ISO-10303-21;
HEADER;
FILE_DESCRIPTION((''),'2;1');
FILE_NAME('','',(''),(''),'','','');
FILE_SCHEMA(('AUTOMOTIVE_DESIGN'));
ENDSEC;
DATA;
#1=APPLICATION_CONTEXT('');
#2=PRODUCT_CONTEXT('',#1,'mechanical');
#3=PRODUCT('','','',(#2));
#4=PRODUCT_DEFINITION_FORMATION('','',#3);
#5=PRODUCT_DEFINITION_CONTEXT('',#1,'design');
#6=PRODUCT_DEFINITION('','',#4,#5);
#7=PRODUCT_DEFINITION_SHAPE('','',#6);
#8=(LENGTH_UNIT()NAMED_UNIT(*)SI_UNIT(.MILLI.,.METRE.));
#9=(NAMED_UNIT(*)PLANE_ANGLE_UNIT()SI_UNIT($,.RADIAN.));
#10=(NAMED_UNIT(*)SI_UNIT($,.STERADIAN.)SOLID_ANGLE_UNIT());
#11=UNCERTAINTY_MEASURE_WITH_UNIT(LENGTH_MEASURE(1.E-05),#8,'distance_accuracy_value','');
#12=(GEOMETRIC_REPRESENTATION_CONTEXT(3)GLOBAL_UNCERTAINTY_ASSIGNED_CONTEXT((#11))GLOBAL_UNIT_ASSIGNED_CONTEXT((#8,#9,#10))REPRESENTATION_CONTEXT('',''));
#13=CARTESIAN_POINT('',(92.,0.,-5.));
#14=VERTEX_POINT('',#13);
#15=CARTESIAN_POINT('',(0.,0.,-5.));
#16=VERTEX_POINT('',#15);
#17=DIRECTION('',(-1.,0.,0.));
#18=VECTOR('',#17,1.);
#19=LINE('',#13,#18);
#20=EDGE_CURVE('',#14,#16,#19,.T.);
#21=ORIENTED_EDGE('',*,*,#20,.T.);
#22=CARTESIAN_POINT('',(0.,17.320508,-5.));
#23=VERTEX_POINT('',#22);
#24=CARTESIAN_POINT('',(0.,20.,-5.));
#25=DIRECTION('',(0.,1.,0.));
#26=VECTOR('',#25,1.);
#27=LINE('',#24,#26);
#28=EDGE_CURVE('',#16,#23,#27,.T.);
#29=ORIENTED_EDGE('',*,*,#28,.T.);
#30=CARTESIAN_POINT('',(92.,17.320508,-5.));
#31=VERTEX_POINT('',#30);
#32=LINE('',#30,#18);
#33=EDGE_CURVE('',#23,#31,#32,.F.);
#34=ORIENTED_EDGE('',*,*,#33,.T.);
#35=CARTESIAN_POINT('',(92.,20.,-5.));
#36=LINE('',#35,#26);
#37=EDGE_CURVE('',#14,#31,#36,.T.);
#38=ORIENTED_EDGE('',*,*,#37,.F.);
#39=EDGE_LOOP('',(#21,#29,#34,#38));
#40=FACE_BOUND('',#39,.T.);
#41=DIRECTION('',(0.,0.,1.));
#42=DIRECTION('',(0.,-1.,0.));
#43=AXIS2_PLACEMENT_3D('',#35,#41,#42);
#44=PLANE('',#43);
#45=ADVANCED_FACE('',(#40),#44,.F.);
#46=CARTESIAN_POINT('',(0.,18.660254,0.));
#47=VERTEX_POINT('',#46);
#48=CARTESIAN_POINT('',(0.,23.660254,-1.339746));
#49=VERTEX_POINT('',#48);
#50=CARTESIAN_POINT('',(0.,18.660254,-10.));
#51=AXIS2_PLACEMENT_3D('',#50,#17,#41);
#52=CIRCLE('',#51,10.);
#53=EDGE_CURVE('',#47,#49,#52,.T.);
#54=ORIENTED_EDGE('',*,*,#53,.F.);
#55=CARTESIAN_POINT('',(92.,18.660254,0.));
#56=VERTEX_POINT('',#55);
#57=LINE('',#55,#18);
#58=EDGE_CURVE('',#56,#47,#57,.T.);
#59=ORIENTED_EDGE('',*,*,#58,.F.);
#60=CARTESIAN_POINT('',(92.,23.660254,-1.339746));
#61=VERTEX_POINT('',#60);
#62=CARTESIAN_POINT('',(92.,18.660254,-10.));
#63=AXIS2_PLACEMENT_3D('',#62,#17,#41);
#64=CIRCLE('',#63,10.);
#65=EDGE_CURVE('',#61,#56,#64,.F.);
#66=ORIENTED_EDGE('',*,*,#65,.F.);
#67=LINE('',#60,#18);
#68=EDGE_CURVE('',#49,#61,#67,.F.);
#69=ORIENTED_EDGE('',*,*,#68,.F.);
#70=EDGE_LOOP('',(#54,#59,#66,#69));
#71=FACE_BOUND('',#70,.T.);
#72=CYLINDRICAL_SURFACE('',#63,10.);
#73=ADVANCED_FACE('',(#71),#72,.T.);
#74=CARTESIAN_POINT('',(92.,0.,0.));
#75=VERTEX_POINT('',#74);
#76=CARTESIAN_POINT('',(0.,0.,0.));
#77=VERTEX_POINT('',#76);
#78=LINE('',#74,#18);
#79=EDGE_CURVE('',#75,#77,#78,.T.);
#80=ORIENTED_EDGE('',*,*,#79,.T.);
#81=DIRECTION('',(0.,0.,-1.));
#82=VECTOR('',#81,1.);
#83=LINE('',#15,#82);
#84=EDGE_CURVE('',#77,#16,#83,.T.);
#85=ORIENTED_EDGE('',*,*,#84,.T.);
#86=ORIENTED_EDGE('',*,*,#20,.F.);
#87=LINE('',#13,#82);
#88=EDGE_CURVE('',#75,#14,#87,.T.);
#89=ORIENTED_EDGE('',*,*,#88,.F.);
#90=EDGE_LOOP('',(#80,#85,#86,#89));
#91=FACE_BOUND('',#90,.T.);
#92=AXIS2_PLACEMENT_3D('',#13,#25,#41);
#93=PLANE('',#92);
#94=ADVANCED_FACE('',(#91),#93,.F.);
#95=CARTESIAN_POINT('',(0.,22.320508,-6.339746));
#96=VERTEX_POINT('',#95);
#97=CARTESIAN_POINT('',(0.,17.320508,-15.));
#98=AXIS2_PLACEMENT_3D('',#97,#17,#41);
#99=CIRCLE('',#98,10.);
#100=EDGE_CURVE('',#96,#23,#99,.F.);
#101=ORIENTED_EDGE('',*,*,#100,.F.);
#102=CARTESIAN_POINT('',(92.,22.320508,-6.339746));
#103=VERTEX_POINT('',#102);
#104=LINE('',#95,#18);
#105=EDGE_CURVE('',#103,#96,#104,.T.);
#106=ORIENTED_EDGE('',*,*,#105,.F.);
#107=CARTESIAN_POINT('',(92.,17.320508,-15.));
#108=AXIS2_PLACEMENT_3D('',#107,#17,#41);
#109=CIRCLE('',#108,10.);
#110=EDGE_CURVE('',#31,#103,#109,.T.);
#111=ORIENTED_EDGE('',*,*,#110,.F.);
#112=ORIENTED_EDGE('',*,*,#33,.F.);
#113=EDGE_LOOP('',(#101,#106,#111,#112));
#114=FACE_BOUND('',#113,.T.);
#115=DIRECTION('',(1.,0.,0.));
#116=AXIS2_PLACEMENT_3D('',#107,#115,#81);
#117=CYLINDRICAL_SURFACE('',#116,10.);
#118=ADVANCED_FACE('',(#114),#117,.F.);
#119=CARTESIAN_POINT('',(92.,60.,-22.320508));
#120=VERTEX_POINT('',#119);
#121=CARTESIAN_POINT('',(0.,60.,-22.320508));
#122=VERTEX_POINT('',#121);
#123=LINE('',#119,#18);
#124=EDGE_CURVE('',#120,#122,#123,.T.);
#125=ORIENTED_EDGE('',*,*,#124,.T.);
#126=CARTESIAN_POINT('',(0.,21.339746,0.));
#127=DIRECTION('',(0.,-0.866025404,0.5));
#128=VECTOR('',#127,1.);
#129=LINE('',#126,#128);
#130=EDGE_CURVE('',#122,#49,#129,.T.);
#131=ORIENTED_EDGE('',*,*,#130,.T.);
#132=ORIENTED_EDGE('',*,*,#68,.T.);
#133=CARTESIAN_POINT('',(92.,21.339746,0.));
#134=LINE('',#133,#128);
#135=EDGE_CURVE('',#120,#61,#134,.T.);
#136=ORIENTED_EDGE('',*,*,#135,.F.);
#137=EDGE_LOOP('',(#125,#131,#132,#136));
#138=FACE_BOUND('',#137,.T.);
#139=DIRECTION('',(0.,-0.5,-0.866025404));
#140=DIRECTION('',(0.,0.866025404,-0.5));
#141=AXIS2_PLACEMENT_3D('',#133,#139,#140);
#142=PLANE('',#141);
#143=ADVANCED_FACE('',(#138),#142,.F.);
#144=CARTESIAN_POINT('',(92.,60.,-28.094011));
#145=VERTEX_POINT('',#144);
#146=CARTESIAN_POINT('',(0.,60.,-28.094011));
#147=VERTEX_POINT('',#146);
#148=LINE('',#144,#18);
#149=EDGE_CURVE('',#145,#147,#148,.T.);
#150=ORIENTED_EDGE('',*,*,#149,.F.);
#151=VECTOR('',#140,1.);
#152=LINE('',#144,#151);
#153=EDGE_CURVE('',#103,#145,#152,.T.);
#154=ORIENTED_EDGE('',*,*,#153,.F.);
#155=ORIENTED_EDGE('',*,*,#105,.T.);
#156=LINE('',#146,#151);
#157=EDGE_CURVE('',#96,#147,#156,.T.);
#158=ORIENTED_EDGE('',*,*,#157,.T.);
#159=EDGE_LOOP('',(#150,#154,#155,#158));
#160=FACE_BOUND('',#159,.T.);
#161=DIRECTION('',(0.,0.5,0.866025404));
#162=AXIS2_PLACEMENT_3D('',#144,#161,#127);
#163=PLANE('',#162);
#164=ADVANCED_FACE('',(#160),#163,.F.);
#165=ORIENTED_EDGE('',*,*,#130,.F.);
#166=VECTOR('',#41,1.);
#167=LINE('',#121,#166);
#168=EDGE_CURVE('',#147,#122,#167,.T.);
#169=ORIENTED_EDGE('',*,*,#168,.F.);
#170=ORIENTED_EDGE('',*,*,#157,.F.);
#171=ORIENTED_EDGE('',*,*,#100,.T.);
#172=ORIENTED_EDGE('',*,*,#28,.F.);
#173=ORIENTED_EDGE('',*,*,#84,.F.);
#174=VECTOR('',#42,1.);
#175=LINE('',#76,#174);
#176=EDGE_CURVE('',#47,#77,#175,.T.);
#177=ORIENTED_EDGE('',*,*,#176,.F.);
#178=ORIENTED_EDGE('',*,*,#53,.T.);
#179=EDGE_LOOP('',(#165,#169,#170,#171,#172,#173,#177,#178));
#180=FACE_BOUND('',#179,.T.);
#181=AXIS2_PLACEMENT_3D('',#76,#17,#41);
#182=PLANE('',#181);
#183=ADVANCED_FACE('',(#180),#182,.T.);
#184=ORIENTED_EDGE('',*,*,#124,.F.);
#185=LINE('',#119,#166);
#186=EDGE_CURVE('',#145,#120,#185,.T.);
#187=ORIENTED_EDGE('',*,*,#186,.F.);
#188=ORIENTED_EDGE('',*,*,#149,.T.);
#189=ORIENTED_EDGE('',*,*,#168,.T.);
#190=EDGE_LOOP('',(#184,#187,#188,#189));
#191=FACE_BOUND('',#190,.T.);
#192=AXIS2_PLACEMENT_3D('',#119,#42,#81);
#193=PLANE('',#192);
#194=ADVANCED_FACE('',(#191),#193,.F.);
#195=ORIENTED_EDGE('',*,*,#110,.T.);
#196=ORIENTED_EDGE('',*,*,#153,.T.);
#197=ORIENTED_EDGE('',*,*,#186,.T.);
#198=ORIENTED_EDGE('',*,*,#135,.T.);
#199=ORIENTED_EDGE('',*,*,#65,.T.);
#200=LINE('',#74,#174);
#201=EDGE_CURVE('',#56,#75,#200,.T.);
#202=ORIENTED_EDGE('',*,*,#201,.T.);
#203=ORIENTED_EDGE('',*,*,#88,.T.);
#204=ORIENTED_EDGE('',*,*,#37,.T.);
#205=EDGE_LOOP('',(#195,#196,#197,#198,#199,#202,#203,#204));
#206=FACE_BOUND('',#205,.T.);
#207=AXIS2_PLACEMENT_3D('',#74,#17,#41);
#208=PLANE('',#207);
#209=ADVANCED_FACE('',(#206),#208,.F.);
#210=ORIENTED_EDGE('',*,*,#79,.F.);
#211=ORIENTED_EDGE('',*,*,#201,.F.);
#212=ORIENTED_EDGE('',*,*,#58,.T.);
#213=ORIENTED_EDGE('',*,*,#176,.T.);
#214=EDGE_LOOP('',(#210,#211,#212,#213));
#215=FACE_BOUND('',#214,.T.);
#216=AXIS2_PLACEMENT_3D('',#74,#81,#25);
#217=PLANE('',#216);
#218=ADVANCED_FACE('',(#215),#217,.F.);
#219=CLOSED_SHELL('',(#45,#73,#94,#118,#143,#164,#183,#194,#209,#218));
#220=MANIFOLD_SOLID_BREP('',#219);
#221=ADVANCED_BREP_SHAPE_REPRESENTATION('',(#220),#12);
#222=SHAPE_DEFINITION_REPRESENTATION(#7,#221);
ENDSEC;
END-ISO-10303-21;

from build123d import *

# Parameters (mm, degrees)
BOSS_EXTRUDE1_DEPTH = 92
FILLET1_R           = 10
FILLET2_R           = 10


with BuildPart() as part:
    # Sketch1 → Boss-Extrude1 (new body)
    with BuildSketch(Plane(origin=(0, 0, 0), x_dir=(0, 0, -1), z_dir=(1, 0, 0))):
        Polygon((0, 0), (0, 21.339745962), (22.320508076, 60), (28.094010768, 60), (5, 20), (5, 0), align=None)
    extrude(amount=BOSS_EXTRUDE1_DEPTH)

    # Fillet1
    fillet1_edges = [part.edges().sort_by_distance(p)[0] for p in [
        (46, 21.339745962, 0),
    ]]
    fillet(fillet1_edges, radius=FILLET1_R)

    # Fillet2
    fillet2_edges = [part.edges().sort_by_distance(p)[0] for p in [
        (46, 20, -5),
    ]]
    fillet(fillet2_edges, radius=FILLET2_R)


solid = part.part
